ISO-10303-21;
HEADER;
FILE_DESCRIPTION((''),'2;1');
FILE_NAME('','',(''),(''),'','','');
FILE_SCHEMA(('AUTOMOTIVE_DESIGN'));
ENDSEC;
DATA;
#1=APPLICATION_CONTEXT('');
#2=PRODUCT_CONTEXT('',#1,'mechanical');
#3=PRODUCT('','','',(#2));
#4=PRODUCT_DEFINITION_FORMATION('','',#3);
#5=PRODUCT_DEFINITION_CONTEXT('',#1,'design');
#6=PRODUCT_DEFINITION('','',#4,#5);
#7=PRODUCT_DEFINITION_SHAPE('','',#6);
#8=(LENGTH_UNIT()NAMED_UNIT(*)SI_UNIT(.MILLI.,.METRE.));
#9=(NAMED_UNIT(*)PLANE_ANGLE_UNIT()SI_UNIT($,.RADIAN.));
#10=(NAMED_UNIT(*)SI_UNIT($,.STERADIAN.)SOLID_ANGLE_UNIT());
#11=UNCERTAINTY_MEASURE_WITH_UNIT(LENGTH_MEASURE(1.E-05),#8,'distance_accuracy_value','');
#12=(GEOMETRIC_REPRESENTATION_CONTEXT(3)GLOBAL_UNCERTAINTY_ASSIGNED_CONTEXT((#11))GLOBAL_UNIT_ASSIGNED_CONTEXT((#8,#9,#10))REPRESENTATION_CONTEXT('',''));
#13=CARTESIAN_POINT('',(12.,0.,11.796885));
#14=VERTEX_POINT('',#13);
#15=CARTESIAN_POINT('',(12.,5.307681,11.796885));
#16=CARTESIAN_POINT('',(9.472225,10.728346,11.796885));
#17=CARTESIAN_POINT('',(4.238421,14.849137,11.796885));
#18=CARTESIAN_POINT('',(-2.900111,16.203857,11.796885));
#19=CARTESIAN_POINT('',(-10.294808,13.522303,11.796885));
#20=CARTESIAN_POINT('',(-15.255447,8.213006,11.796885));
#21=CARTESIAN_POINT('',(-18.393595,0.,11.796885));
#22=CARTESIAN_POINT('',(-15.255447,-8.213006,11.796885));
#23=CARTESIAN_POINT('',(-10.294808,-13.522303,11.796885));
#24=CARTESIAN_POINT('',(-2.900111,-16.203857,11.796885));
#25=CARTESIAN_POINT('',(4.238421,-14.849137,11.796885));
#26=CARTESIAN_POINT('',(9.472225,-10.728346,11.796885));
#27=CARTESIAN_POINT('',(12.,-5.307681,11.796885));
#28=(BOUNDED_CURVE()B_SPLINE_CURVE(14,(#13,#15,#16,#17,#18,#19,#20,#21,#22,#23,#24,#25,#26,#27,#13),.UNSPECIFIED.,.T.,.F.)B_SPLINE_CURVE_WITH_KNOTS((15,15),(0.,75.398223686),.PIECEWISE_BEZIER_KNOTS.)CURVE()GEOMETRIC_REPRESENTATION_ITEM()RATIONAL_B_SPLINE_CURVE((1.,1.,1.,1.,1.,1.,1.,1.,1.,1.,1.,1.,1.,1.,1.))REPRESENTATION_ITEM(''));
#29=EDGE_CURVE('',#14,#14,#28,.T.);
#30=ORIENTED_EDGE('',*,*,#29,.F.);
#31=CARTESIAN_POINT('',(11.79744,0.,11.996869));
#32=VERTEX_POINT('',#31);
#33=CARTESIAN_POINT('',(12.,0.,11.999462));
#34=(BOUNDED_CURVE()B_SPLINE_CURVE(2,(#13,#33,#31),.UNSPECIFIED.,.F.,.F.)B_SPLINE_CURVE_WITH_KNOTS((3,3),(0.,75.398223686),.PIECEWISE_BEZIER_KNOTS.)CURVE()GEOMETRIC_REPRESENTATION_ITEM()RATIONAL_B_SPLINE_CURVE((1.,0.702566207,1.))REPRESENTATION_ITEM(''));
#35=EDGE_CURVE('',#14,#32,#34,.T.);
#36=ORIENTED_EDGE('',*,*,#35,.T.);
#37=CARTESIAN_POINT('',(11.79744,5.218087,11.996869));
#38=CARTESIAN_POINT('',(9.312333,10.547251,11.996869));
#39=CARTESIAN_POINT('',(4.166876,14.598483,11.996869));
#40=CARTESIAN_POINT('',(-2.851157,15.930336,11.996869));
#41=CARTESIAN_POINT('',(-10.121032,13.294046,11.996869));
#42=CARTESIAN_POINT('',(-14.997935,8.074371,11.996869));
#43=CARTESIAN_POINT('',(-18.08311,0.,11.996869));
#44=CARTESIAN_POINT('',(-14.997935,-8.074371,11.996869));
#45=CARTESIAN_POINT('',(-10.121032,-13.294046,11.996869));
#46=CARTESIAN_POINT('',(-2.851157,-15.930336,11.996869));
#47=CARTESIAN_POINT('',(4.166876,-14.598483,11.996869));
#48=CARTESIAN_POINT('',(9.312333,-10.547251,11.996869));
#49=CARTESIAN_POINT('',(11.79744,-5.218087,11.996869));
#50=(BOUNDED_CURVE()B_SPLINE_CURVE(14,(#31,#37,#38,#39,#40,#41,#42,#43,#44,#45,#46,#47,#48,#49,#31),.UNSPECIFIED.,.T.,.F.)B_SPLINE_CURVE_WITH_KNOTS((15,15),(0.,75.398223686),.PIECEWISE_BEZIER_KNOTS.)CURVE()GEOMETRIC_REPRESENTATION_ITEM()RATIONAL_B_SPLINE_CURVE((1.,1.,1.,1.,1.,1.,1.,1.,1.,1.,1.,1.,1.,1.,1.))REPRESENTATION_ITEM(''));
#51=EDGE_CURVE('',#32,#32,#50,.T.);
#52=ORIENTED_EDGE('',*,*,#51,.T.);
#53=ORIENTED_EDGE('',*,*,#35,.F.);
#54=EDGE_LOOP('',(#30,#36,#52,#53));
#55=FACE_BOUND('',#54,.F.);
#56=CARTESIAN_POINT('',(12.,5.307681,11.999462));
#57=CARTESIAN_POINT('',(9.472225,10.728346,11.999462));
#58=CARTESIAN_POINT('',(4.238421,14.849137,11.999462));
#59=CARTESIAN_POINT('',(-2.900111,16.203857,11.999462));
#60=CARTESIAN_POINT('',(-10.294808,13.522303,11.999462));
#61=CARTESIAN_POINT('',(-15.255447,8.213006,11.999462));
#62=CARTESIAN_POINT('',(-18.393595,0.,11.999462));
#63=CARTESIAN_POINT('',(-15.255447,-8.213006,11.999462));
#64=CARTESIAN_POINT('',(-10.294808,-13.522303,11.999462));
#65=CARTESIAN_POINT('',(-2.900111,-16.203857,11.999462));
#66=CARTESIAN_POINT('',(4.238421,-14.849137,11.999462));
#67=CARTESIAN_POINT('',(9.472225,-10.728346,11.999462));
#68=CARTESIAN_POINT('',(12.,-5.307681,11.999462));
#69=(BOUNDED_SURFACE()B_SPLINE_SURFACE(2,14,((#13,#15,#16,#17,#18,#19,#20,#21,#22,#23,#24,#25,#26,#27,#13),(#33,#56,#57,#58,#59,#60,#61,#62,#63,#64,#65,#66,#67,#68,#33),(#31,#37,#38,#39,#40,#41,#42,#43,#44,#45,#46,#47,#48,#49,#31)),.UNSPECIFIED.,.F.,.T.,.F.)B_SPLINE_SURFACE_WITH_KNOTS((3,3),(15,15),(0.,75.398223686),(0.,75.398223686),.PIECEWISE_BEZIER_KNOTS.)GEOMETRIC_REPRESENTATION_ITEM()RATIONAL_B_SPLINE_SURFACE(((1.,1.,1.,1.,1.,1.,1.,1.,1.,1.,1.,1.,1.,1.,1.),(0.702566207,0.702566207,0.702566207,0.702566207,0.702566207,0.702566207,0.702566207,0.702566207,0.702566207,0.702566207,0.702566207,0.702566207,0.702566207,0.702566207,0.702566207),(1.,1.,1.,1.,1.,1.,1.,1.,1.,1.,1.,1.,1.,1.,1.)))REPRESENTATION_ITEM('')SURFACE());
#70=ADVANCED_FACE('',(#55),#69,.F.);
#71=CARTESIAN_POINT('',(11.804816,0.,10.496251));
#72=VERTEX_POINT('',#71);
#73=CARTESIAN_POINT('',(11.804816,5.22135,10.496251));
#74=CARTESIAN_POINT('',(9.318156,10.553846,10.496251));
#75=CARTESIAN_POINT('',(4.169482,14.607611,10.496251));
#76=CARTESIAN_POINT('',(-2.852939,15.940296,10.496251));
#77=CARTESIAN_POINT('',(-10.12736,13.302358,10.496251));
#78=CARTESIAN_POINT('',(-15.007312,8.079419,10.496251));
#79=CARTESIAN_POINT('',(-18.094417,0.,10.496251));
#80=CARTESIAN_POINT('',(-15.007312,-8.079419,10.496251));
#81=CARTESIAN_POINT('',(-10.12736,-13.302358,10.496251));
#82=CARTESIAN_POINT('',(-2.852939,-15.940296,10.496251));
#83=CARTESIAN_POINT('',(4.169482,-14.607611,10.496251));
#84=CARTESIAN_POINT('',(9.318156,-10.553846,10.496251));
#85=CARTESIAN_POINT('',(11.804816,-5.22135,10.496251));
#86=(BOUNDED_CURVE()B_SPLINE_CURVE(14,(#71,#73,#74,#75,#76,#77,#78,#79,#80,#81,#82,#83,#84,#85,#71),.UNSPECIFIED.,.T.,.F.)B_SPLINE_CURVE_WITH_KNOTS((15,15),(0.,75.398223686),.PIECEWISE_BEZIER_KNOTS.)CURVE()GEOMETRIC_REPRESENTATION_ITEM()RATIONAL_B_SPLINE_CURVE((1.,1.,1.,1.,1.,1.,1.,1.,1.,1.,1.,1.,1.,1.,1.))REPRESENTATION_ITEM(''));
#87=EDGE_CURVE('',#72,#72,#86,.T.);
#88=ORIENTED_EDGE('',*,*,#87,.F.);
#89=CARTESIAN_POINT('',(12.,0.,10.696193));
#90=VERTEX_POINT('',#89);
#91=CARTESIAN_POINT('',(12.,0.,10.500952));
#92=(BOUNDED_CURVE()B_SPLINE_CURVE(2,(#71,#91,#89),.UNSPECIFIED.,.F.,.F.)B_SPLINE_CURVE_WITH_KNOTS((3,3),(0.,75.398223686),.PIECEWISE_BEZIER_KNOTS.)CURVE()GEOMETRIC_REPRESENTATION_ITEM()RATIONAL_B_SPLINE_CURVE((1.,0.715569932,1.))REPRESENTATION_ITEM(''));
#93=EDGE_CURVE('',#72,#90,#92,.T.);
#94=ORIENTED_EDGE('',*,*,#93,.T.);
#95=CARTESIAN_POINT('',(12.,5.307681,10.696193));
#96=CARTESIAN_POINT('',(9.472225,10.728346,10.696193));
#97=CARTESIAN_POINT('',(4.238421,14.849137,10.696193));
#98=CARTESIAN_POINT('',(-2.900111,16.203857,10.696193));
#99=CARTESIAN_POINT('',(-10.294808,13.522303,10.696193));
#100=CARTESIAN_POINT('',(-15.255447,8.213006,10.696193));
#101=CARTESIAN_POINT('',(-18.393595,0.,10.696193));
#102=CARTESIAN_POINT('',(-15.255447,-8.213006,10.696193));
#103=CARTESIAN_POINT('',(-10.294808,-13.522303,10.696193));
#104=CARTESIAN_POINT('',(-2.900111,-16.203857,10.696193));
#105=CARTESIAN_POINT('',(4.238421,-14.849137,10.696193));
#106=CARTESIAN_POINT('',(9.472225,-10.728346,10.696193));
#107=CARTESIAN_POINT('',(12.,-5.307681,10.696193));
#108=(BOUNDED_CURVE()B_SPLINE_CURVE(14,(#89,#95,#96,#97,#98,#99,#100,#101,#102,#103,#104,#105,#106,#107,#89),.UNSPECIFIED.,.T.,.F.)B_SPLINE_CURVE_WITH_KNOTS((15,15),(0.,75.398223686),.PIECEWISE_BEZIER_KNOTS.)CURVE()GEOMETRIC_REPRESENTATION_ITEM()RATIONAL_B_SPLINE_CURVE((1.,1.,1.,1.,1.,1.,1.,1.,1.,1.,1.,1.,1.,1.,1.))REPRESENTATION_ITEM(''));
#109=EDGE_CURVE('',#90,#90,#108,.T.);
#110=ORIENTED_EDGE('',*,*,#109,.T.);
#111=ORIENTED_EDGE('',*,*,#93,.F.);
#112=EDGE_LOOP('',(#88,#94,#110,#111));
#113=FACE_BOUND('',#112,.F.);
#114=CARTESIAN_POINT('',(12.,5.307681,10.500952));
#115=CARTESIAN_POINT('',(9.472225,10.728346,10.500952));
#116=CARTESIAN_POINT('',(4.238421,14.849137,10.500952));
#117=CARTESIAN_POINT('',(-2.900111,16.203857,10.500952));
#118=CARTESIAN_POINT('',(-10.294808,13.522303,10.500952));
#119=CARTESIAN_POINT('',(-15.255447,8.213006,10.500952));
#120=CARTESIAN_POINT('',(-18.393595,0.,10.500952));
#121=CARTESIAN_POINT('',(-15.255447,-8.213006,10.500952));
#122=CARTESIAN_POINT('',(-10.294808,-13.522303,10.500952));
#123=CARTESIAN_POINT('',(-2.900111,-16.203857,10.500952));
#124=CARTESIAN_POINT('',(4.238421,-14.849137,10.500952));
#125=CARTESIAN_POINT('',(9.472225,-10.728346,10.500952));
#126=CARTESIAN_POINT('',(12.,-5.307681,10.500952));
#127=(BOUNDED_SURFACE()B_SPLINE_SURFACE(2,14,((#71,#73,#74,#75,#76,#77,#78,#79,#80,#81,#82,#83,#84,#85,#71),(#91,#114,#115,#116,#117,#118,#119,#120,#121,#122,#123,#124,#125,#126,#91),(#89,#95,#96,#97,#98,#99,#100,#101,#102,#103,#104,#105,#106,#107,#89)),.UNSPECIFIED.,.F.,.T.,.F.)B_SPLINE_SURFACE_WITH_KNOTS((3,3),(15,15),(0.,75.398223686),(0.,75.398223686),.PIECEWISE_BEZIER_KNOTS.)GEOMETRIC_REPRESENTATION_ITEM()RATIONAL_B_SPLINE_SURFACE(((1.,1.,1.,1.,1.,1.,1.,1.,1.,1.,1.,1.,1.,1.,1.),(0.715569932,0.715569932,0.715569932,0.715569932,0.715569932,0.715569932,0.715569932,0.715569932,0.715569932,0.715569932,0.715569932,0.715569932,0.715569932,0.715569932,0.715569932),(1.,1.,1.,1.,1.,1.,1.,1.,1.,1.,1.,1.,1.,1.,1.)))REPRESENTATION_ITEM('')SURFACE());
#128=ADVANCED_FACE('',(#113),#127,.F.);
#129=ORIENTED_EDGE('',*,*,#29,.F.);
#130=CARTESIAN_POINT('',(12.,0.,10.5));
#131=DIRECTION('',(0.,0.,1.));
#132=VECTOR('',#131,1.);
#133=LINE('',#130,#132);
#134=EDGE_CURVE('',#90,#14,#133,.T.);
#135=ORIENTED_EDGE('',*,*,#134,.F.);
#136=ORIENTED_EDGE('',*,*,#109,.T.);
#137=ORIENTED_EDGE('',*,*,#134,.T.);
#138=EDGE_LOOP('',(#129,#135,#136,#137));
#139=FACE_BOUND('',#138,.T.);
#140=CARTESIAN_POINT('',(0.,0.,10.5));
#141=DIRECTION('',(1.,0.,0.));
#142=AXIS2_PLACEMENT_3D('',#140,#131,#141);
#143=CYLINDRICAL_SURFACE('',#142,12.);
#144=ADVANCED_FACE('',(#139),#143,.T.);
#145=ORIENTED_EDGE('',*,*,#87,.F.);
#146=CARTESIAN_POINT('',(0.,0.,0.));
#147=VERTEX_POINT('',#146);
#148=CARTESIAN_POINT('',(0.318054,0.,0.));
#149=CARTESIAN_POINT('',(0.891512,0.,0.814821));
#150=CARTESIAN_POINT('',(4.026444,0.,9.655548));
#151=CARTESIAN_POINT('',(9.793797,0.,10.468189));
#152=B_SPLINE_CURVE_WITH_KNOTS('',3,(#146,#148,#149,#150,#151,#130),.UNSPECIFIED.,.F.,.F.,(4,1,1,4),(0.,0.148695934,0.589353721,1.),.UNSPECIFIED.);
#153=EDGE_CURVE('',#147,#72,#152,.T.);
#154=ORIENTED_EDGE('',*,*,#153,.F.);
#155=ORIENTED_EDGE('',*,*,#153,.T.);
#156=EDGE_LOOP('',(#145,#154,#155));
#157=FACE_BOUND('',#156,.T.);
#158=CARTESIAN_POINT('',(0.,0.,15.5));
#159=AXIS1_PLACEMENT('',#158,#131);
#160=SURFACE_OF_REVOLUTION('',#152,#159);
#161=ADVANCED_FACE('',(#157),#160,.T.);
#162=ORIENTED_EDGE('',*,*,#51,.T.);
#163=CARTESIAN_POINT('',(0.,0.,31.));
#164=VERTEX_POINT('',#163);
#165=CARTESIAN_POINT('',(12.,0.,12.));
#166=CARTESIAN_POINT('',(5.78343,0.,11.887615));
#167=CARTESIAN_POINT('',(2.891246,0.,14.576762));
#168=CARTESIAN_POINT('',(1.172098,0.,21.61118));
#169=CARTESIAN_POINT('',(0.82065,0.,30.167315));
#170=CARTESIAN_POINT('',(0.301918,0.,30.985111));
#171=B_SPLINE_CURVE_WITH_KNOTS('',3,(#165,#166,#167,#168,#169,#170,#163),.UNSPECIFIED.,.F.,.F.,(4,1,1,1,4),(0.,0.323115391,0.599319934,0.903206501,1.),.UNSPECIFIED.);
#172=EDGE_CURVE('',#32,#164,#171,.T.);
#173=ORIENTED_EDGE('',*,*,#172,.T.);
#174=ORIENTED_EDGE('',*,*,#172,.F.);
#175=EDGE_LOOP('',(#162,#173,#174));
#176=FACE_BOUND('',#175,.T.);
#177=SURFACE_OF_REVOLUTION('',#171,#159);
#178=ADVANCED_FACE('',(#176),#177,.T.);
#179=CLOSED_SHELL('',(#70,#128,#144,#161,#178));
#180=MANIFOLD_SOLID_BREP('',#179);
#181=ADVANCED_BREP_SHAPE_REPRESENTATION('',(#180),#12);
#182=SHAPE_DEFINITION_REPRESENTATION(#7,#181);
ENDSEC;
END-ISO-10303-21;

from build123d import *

# Parameters (mm, degrees)
F2_R = 0.2


with BuildPart() as f1:
    # F0 (on Front) → F1 (revolve)
    with BuildSketch(Plane.XZ):
        with BuildLine():
            Line((0, 31), (0, 0))
            add(Edge.make_bspline(
                [(0, 0), (0.3180536659, 0), (0.8915118152, 0.814820964), (4.0264437958, 9.6555481329), (9.7937965602, 10.4681886388), (12, 10.5)],
                knots=[0, 0, 0, 0, 0.148695934, 0.5893537215, 1, 1, 1, 1], degree=3))
            Line((12, 10.5), (12, 12))
            add(Edge.make_bspline(
                [(12, 12), (5.7834304676, 11.8876153457), (2.8912461818, 14.5767622449), (1.1720981317, 21.6111799684), (0.8206499989, 30.16731496), (0.3019175402, 30.9851107863), (0, 31)],
                knots=[0, 0, 0, 0, 0.3231153909, 0.5993199342, 0.9032065007, 1, 1, 1, 1], degree=3))
        make_face()
    revolve(axis=Axis((0, 0, 15.5), (0, 0, 1)))

    # F2
    f2_edges = [f1.edges().sort_by_distance(p)[0] for p in [
        (-12, 0, 10.5),
        (-12, 0, 12),
    ]]
    fillet(f2_edges, radius=F2_R)


solid = f1.part
